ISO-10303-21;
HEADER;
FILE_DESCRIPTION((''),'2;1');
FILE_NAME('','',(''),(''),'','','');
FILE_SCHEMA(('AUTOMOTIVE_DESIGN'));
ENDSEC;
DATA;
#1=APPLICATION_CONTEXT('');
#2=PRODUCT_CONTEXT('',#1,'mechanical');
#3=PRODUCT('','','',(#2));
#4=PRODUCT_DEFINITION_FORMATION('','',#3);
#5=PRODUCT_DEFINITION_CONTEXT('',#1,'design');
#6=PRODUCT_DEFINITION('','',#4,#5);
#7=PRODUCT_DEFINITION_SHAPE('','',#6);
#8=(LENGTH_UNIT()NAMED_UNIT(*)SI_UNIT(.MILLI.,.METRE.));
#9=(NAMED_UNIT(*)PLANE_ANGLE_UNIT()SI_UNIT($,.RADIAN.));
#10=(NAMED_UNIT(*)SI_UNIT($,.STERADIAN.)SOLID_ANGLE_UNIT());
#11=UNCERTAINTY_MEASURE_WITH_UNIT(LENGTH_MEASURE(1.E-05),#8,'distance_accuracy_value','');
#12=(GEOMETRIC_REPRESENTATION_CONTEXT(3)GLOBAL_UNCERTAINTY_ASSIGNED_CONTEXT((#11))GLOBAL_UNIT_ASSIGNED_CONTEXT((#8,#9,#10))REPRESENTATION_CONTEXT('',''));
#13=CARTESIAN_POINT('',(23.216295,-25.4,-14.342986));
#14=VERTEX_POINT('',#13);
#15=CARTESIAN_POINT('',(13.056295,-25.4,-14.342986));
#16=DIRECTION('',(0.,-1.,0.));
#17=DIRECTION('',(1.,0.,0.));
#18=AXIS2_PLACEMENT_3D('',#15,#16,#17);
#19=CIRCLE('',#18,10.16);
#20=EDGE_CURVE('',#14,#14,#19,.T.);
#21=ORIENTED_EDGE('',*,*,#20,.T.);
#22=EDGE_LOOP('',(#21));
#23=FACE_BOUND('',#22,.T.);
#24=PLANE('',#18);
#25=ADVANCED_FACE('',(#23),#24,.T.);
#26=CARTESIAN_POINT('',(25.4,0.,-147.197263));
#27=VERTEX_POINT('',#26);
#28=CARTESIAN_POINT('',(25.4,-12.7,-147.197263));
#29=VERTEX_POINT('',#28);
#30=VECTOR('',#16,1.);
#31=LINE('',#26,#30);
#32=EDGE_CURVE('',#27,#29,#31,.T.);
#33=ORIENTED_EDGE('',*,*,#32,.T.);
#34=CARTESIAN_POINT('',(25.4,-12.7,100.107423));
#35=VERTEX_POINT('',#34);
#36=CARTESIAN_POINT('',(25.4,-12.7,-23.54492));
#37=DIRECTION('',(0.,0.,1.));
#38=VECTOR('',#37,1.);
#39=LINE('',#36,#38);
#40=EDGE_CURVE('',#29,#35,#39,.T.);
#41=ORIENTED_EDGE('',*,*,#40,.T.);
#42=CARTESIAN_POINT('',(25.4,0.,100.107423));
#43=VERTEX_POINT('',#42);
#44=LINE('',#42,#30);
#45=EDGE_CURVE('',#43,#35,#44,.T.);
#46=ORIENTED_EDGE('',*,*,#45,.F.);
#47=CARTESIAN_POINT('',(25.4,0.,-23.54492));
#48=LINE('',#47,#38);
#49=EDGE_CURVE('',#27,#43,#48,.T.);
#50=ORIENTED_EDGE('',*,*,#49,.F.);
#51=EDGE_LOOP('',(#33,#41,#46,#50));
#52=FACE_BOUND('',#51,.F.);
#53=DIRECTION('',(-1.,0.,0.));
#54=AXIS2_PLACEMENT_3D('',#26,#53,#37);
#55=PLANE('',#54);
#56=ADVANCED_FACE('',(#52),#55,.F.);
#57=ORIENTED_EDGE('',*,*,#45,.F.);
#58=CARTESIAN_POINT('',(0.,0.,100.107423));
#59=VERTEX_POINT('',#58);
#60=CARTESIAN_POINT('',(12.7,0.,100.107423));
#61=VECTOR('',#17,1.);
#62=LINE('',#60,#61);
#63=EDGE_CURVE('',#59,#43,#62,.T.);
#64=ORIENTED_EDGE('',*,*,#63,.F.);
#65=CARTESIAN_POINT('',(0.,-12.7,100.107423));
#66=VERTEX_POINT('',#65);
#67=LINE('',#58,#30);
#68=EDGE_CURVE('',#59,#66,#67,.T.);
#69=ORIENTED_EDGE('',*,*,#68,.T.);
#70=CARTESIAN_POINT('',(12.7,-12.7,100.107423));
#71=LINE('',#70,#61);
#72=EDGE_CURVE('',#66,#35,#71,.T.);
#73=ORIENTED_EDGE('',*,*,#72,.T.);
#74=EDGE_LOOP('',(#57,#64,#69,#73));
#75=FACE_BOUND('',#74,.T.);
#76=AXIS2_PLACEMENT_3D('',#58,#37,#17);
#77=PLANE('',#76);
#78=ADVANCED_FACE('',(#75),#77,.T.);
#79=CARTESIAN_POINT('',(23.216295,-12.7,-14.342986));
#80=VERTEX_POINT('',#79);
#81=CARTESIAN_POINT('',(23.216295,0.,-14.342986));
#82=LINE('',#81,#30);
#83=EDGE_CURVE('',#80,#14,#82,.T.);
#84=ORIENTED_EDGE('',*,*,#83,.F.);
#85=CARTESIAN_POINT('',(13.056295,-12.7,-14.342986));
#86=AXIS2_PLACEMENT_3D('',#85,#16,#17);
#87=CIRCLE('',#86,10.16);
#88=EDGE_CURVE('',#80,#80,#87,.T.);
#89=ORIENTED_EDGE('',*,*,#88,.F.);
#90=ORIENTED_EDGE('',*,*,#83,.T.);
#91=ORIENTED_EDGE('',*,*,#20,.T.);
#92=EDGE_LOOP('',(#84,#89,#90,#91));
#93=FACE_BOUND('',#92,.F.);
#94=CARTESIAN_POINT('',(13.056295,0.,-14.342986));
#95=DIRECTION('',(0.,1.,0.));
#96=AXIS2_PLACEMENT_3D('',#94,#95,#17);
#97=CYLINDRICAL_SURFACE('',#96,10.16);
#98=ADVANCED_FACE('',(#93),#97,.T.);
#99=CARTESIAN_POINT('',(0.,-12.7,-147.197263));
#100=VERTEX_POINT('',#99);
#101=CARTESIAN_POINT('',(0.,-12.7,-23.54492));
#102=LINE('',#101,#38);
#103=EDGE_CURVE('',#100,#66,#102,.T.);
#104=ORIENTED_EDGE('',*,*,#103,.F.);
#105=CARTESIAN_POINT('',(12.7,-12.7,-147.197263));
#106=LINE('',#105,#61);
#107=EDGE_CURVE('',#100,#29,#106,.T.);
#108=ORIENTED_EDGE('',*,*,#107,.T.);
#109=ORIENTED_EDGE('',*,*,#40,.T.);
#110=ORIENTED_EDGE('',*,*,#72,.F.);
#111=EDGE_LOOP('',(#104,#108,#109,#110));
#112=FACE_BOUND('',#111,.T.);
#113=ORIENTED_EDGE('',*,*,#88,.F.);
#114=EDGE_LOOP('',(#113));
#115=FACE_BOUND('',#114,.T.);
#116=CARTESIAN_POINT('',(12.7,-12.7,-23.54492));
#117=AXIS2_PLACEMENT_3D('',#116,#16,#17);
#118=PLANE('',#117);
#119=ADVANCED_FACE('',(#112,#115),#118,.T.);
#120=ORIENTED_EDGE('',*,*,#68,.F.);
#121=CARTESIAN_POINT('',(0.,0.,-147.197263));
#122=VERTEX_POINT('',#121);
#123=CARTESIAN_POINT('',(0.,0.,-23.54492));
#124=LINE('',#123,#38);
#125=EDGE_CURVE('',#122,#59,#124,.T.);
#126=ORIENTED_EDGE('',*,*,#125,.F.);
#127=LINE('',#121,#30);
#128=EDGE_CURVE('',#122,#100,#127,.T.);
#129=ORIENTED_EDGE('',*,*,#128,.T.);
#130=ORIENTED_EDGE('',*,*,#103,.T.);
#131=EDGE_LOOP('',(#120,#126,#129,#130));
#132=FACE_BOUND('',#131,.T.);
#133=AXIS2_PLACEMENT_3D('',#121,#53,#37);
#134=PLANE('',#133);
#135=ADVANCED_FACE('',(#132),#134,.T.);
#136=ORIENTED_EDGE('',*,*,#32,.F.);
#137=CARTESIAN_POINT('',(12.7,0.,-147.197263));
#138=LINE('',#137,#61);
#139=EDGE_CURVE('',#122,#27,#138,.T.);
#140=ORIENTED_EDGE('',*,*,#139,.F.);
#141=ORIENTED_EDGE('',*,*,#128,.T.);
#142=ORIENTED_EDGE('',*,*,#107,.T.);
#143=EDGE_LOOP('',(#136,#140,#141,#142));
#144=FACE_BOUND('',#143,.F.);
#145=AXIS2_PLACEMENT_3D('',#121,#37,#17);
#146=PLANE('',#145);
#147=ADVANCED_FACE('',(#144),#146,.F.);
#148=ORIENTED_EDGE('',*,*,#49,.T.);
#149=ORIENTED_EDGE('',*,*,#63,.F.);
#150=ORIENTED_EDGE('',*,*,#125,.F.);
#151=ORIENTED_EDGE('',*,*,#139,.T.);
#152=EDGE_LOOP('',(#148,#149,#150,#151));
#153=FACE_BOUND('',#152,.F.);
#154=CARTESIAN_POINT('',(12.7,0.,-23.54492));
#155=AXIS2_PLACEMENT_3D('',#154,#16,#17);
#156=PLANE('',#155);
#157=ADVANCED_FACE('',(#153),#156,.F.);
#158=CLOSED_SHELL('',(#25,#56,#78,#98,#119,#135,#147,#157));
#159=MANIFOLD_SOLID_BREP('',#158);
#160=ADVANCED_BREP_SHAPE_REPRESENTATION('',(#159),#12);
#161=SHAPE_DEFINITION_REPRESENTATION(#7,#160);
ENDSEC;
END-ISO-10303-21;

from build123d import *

# Parameters (mm, degrees)
F0_W     = 25.4
F0_H     = 247.304687
F0_R     = 10.16
F1_DEPTH = 12.7
F2_DEPTH = 25.4


with BuildPart() as f1:
    # F0 (on Front) → F1 (new body)
    with BuildSketch(Plane.XZ):
        with Locations((12.7, -23.54492)):
            Rectangle(F0_W, F0_H)
        with Locations((13.056295, -14.342986)):
            Circle(F0_R, mode=Mode.SUBTRACT)
    extrude(amount=F1_DEPTH)

    # F0 (on Front) → F2 (join)
    with BuildSketch(Plane.XZ):
        with Locations((13.056295, -14.342986)):
            Circle(F0_R)
    extrude(amount=F2_DEPTH)


solid = f1.part
